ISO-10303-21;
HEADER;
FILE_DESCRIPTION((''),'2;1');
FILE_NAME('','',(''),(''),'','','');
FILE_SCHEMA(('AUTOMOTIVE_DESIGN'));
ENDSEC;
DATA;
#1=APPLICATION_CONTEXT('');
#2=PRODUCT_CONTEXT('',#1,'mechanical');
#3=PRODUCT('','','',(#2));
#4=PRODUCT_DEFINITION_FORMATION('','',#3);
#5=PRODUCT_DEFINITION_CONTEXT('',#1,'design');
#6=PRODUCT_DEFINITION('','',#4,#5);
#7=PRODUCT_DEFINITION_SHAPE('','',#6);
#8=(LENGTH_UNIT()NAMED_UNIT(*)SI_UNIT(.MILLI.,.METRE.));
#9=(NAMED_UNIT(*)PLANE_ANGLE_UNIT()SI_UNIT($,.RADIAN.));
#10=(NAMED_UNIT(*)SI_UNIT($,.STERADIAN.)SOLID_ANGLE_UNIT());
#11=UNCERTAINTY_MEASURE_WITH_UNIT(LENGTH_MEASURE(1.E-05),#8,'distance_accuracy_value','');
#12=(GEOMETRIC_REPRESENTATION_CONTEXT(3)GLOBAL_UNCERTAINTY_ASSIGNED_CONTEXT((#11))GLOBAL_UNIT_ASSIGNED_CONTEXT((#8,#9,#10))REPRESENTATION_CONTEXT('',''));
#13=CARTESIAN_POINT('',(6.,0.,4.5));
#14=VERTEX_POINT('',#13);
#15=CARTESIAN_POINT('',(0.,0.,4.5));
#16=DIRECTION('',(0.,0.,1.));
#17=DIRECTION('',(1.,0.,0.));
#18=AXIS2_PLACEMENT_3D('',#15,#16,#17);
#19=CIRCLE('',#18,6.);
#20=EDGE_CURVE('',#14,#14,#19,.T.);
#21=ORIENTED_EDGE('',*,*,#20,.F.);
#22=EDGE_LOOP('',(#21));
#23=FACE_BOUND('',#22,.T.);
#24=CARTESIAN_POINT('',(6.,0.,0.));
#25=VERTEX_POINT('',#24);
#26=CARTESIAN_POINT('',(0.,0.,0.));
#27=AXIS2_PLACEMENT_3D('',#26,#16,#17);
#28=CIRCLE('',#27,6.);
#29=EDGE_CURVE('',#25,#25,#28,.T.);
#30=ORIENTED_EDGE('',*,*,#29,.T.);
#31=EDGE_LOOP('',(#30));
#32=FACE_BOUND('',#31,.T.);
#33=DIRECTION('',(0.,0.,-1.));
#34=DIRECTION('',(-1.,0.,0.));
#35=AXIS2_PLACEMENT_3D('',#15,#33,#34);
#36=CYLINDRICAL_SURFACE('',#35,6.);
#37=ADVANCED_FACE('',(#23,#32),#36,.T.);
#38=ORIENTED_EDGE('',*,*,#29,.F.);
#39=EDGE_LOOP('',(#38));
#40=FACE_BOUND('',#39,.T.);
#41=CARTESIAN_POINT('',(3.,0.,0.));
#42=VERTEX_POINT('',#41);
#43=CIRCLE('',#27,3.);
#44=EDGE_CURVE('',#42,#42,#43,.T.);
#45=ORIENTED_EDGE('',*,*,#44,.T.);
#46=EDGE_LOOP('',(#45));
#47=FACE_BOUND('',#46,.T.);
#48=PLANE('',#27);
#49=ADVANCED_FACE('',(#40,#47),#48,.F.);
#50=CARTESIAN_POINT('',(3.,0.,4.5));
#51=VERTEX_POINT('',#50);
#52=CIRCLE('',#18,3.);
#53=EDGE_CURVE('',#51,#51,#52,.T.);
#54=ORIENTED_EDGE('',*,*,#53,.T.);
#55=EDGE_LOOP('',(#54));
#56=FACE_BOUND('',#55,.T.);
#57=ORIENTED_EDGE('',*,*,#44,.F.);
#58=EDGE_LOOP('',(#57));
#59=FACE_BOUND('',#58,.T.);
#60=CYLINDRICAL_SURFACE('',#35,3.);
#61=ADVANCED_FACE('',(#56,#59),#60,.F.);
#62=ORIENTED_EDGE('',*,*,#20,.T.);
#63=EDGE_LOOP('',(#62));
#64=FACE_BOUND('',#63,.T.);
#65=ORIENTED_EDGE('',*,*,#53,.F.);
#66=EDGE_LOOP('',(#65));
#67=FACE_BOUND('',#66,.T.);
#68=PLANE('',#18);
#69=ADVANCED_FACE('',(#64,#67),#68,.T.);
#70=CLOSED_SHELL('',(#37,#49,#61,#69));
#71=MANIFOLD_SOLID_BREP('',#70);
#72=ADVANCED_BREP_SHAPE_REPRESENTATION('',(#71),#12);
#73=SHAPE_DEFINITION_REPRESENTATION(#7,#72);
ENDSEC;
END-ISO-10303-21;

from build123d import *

# Parameters (mm, degrees)
SKETCH_1_R      = 6
SKETCH_1_R_2    = 3
EXTRUDE_1_DEPTH = 4.5


with BuildPart() as part:
    # 草图1 → 凸台-拉伸1 (new body)
    with BuildSketch(Plane.XY):
        Circle(SKETCH_1_R)
        Circle(SKETCH_1_R_2, mode=Mode.SUBTRACT)
    extrude(amount=EXTRUDE_1_DEPTH)


solid = part.part
